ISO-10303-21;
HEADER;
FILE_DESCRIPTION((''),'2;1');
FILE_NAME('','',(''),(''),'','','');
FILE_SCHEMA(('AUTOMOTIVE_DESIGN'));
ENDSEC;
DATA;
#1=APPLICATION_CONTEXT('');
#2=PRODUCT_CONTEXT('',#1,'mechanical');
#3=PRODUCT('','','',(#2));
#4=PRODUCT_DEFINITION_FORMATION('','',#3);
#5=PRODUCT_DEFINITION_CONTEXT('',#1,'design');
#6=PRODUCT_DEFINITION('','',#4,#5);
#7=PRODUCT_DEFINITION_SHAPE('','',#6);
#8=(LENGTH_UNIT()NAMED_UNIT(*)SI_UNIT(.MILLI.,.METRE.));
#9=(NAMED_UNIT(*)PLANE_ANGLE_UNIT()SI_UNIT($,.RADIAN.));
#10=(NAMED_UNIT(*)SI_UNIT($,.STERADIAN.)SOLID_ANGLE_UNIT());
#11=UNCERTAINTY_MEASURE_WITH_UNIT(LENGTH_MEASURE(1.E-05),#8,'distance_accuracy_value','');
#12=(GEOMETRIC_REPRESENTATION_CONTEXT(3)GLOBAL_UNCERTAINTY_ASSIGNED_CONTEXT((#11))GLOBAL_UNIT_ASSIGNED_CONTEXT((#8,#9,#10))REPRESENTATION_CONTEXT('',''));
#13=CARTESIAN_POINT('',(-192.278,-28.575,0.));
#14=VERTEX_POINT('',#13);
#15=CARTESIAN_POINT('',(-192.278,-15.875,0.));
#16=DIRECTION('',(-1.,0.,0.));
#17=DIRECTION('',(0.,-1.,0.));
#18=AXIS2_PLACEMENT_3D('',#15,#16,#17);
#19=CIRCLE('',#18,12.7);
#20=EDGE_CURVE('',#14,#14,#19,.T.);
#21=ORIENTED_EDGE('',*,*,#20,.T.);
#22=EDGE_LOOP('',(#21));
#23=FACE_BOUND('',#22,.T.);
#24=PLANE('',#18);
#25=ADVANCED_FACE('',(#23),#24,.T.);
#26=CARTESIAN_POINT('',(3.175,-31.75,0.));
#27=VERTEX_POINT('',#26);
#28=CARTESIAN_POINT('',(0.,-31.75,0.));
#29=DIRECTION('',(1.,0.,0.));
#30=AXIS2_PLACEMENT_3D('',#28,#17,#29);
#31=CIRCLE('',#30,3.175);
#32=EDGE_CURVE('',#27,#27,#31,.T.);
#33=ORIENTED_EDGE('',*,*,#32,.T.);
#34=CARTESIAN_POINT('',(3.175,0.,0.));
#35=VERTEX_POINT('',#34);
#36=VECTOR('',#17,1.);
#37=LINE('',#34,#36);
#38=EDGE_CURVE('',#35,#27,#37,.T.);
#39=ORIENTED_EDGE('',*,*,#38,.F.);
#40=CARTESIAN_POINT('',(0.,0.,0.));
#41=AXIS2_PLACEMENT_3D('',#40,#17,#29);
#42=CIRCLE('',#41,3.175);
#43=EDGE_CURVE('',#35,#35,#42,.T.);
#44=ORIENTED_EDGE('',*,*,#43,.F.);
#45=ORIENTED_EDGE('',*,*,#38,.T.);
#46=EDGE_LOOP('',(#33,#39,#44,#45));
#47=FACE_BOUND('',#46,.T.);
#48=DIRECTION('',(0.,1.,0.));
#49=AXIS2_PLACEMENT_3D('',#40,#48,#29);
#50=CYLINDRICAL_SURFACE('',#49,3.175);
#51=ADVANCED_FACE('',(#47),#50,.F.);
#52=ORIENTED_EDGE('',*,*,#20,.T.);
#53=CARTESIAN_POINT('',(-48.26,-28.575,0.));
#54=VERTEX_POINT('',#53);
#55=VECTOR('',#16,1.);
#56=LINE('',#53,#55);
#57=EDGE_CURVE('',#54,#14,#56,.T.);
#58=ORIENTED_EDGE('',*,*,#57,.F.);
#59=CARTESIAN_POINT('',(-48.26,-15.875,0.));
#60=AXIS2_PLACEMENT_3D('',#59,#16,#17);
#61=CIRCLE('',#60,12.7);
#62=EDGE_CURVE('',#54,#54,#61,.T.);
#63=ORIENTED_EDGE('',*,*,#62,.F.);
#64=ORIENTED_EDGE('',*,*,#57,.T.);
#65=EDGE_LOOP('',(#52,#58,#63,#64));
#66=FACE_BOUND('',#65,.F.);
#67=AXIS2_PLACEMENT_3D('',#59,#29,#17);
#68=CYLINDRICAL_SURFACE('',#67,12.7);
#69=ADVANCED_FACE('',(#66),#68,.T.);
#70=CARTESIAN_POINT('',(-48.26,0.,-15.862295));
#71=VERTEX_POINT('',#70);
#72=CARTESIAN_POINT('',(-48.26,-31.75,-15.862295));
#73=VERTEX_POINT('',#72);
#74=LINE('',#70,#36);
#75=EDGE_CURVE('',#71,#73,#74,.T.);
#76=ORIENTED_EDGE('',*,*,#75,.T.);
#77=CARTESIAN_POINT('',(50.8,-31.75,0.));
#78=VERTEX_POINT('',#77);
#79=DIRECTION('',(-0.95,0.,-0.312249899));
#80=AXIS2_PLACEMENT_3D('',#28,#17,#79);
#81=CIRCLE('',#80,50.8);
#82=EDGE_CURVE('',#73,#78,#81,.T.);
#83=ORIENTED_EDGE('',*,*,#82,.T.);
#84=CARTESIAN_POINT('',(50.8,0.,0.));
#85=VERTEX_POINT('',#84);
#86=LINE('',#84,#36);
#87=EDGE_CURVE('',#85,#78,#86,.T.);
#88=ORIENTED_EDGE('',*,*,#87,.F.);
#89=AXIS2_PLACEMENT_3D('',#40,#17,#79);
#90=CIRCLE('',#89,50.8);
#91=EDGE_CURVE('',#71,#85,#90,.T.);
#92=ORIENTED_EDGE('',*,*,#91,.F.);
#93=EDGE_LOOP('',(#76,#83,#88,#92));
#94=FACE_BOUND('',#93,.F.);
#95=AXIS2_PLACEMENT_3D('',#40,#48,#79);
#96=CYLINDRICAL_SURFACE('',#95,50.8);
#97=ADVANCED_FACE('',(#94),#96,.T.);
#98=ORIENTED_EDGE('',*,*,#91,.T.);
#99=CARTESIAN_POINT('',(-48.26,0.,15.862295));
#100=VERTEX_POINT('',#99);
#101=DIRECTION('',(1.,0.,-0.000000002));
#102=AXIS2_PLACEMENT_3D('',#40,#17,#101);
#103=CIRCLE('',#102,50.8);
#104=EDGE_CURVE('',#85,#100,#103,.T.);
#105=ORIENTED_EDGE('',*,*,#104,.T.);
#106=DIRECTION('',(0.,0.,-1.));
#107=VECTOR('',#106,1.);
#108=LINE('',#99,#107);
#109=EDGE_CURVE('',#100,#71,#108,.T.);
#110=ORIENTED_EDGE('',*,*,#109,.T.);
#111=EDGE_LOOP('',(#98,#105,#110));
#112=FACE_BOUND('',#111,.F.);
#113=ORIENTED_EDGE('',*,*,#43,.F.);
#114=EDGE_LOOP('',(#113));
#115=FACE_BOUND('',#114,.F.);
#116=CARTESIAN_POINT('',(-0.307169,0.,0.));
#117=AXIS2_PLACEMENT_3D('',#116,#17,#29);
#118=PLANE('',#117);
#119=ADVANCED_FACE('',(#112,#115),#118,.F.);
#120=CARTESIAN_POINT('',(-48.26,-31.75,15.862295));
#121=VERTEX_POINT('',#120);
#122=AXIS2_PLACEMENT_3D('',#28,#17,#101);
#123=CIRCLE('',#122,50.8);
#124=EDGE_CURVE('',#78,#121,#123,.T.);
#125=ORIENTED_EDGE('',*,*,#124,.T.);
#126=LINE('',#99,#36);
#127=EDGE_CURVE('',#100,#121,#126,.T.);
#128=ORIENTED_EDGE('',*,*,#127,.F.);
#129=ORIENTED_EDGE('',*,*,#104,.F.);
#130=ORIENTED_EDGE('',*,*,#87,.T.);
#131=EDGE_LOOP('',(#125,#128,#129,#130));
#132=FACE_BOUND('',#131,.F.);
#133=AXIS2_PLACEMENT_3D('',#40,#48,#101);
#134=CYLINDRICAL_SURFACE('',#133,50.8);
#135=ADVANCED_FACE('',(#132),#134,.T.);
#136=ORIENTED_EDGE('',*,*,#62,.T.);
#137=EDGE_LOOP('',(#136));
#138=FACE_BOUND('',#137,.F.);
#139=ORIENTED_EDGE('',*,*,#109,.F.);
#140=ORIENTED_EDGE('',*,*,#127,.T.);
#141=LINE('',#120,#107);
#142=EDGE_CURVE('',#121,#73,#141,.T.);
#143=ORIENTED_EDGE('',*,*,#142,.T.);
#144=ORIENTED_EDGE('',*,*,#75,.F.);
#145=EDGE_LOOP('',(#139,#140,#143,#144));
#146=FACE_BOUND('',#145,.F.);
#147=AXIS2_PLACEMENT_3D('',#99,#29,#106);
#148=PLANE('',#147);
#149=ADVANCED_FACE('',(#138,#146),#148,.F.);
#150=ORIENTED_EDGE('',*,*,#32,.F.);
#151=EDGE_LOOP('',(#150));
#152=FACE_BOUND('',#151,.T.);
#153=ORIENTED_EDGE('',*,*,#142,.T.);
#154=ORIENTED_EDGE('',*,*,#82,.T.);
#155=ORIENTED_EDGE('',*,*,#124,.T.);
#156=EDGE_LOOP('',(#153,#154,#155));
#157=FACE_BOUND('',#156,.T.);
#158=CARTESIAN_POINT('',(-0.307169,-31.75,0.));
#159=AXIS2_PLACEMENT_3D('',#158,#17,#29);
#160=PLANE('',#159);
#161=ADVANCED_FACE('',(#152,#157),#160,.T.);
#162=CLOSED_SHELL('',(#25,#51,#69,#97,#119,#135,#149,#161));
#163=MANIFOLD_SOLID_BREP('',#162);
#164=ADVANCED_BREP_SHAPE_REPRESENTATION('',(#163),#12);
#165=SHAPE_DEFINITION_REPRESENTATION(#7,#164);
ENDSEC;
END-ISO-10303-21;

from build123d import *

# Parameters (mm, degrees)
F0_R     = 3.175
F1_DEPTH = 31.75
F2_R     = 12.7
F3_DEPTH = 144.018


with BuildPart() as f1:
    # F0 (on Front) → F1 (new body)
    with BuildSketch(Plane.XZ):
        with BuildLine():
            ThreePointArc((-48.26, -15.862295), (8.032185, -50.160981), (50.8, 0))
            ThreePointArc((50.8, 0), (8.032185, 50.160981), (-48.26, 15.862295))
            Line((-48.26, 15.862295), (-48.26, -15.862295))
        make_face()
        Circle(F0_R, mode=Mode.SUBTRACT)
    extrude(amount=F1_DEPTH)

    # F2 (on face) → F3 (join)
    with BuildSketch(Plane(origin=(-48.26, 0, 0), x_dir=(0, -1, 0), z_dir=(-1, 0, 0))):
        with Locations((15.875, 0)):
            Circle(F2_R)
    extrude(amount=F3_DEPTH)


solid = f1.part
